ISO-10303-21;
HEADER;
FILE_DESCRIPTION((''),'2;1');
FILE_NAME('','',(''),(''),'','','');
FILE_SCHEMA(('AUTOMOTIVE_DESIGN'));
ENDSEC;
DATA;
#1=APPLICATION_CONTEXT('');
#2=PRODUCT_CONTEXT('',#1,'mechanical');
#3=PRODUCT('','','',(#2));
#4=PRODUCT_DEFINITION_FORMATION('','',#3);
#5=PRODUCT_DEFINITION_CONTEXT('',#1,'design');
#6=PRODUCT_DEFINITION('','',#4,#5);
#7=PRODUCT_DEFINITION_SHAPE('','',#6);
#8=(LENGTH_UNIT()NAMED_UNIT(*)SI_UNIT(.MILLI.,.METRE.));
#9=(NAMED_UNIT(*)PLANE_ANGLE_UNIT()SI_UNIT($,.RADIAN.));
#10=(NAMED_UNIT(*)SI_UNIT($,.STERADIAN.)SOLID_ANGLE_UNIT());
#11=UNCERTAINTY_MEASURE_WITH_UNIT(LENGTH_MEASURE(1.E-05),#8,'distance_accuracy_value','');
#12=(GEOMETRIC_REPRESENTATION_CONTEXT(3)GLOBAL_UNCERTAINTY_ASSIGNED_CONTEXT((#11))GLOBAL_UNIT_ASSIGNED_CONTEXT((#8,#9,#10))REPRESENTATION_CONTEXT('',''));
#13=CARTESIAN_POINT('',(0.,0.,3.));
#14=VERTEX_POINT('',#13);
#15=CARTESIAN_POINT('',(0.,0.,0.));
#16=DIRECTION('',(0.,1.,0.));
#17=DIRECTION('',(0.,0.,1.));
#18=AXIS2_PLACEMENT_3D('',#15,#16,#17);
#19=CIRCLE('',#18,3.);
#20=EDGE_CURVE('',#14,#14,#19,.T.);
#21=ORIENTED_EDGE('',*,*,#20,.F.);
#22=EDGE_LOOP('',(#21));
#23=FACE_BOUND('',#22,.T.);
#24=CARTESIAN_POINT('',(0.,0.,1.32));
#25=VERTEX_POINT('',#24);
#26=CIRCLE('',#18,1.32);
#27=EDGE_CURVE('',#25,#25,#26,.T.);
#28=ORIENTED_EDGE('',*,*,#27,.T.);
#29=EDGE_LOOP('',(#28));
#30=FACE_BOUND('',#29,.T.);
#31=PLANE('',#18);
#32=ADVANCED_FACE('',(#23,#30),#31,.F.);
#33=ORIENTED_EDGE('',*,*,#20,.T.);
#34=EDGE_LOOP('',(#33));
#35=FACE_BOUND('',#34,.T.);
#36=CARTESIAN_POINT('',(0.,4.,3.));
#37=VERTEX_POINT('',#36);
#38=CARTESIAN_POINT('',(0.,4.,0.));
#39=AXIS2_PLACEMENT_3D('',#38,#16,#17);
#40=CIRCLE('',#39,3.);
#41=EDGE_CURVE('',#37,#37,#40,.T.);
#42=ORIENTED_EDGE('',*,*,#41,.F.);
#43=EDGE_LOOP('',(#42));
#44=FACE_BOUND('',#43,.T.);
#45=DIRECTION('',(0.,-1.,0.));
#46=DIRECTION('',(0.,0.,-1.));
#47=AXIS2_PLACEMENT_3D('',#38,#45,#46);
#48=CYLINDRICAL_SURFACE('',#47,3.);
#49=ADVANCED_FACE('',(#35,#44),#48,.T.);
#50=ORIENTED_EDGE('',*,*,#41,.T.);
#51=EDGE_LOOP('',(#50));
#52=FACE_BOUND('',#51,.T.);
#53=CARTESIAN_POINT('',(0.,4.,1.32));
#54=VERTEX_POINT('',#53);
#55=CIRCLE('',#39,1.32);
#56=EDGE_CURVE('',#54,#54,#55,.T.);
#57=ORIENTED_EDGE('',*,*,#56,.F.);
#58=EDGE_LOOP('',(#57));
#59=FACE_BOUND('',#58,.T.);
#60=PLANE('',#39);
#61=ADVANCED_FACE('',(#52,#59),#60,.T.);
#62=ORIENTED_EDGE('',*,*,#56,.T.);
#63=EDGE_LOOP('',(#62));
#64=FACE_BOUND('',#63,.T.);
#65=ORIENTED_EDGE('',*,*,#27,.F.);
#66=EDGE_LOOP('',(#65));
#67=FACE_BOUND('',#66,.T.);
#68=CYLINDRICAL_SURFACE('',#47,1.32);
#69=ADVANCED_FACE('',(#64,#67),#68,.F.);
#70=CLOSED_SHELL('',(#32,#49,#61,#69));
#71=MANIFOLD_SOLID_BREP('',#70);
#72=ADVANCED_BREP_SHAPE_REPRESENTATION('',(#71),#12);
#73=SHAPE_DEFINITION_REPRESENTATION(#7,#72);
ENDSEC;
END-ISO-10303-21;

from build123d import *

# Parameters (mm, degrees)
SKETCH_1_R      = 3
SKETCH_1_R_2    = 1.32
EXTRUDE_1_DEPTH = 4


with BuildPart() as part:
    # Эскиз1 → Бобышка-Вытянуть1 (new body)
    with BuildSketch(Plane(origin=(0, 0, 0), x_dir=(1, 0, 0), z_dir=(0, 1, 0))):
        with Locations(Location((0, 0, 0), (0, 0, 270))):
            Circle(SKETCH_1_R)
        with Locations(Location((0, 0, 0), (0, 0, 270))):
            Circle(SKETCH_1_R_2, mode=Mode.SUBTRACT)
    extrude(amount=EXTRUDE_1_DEPTH)


solid = part.part
